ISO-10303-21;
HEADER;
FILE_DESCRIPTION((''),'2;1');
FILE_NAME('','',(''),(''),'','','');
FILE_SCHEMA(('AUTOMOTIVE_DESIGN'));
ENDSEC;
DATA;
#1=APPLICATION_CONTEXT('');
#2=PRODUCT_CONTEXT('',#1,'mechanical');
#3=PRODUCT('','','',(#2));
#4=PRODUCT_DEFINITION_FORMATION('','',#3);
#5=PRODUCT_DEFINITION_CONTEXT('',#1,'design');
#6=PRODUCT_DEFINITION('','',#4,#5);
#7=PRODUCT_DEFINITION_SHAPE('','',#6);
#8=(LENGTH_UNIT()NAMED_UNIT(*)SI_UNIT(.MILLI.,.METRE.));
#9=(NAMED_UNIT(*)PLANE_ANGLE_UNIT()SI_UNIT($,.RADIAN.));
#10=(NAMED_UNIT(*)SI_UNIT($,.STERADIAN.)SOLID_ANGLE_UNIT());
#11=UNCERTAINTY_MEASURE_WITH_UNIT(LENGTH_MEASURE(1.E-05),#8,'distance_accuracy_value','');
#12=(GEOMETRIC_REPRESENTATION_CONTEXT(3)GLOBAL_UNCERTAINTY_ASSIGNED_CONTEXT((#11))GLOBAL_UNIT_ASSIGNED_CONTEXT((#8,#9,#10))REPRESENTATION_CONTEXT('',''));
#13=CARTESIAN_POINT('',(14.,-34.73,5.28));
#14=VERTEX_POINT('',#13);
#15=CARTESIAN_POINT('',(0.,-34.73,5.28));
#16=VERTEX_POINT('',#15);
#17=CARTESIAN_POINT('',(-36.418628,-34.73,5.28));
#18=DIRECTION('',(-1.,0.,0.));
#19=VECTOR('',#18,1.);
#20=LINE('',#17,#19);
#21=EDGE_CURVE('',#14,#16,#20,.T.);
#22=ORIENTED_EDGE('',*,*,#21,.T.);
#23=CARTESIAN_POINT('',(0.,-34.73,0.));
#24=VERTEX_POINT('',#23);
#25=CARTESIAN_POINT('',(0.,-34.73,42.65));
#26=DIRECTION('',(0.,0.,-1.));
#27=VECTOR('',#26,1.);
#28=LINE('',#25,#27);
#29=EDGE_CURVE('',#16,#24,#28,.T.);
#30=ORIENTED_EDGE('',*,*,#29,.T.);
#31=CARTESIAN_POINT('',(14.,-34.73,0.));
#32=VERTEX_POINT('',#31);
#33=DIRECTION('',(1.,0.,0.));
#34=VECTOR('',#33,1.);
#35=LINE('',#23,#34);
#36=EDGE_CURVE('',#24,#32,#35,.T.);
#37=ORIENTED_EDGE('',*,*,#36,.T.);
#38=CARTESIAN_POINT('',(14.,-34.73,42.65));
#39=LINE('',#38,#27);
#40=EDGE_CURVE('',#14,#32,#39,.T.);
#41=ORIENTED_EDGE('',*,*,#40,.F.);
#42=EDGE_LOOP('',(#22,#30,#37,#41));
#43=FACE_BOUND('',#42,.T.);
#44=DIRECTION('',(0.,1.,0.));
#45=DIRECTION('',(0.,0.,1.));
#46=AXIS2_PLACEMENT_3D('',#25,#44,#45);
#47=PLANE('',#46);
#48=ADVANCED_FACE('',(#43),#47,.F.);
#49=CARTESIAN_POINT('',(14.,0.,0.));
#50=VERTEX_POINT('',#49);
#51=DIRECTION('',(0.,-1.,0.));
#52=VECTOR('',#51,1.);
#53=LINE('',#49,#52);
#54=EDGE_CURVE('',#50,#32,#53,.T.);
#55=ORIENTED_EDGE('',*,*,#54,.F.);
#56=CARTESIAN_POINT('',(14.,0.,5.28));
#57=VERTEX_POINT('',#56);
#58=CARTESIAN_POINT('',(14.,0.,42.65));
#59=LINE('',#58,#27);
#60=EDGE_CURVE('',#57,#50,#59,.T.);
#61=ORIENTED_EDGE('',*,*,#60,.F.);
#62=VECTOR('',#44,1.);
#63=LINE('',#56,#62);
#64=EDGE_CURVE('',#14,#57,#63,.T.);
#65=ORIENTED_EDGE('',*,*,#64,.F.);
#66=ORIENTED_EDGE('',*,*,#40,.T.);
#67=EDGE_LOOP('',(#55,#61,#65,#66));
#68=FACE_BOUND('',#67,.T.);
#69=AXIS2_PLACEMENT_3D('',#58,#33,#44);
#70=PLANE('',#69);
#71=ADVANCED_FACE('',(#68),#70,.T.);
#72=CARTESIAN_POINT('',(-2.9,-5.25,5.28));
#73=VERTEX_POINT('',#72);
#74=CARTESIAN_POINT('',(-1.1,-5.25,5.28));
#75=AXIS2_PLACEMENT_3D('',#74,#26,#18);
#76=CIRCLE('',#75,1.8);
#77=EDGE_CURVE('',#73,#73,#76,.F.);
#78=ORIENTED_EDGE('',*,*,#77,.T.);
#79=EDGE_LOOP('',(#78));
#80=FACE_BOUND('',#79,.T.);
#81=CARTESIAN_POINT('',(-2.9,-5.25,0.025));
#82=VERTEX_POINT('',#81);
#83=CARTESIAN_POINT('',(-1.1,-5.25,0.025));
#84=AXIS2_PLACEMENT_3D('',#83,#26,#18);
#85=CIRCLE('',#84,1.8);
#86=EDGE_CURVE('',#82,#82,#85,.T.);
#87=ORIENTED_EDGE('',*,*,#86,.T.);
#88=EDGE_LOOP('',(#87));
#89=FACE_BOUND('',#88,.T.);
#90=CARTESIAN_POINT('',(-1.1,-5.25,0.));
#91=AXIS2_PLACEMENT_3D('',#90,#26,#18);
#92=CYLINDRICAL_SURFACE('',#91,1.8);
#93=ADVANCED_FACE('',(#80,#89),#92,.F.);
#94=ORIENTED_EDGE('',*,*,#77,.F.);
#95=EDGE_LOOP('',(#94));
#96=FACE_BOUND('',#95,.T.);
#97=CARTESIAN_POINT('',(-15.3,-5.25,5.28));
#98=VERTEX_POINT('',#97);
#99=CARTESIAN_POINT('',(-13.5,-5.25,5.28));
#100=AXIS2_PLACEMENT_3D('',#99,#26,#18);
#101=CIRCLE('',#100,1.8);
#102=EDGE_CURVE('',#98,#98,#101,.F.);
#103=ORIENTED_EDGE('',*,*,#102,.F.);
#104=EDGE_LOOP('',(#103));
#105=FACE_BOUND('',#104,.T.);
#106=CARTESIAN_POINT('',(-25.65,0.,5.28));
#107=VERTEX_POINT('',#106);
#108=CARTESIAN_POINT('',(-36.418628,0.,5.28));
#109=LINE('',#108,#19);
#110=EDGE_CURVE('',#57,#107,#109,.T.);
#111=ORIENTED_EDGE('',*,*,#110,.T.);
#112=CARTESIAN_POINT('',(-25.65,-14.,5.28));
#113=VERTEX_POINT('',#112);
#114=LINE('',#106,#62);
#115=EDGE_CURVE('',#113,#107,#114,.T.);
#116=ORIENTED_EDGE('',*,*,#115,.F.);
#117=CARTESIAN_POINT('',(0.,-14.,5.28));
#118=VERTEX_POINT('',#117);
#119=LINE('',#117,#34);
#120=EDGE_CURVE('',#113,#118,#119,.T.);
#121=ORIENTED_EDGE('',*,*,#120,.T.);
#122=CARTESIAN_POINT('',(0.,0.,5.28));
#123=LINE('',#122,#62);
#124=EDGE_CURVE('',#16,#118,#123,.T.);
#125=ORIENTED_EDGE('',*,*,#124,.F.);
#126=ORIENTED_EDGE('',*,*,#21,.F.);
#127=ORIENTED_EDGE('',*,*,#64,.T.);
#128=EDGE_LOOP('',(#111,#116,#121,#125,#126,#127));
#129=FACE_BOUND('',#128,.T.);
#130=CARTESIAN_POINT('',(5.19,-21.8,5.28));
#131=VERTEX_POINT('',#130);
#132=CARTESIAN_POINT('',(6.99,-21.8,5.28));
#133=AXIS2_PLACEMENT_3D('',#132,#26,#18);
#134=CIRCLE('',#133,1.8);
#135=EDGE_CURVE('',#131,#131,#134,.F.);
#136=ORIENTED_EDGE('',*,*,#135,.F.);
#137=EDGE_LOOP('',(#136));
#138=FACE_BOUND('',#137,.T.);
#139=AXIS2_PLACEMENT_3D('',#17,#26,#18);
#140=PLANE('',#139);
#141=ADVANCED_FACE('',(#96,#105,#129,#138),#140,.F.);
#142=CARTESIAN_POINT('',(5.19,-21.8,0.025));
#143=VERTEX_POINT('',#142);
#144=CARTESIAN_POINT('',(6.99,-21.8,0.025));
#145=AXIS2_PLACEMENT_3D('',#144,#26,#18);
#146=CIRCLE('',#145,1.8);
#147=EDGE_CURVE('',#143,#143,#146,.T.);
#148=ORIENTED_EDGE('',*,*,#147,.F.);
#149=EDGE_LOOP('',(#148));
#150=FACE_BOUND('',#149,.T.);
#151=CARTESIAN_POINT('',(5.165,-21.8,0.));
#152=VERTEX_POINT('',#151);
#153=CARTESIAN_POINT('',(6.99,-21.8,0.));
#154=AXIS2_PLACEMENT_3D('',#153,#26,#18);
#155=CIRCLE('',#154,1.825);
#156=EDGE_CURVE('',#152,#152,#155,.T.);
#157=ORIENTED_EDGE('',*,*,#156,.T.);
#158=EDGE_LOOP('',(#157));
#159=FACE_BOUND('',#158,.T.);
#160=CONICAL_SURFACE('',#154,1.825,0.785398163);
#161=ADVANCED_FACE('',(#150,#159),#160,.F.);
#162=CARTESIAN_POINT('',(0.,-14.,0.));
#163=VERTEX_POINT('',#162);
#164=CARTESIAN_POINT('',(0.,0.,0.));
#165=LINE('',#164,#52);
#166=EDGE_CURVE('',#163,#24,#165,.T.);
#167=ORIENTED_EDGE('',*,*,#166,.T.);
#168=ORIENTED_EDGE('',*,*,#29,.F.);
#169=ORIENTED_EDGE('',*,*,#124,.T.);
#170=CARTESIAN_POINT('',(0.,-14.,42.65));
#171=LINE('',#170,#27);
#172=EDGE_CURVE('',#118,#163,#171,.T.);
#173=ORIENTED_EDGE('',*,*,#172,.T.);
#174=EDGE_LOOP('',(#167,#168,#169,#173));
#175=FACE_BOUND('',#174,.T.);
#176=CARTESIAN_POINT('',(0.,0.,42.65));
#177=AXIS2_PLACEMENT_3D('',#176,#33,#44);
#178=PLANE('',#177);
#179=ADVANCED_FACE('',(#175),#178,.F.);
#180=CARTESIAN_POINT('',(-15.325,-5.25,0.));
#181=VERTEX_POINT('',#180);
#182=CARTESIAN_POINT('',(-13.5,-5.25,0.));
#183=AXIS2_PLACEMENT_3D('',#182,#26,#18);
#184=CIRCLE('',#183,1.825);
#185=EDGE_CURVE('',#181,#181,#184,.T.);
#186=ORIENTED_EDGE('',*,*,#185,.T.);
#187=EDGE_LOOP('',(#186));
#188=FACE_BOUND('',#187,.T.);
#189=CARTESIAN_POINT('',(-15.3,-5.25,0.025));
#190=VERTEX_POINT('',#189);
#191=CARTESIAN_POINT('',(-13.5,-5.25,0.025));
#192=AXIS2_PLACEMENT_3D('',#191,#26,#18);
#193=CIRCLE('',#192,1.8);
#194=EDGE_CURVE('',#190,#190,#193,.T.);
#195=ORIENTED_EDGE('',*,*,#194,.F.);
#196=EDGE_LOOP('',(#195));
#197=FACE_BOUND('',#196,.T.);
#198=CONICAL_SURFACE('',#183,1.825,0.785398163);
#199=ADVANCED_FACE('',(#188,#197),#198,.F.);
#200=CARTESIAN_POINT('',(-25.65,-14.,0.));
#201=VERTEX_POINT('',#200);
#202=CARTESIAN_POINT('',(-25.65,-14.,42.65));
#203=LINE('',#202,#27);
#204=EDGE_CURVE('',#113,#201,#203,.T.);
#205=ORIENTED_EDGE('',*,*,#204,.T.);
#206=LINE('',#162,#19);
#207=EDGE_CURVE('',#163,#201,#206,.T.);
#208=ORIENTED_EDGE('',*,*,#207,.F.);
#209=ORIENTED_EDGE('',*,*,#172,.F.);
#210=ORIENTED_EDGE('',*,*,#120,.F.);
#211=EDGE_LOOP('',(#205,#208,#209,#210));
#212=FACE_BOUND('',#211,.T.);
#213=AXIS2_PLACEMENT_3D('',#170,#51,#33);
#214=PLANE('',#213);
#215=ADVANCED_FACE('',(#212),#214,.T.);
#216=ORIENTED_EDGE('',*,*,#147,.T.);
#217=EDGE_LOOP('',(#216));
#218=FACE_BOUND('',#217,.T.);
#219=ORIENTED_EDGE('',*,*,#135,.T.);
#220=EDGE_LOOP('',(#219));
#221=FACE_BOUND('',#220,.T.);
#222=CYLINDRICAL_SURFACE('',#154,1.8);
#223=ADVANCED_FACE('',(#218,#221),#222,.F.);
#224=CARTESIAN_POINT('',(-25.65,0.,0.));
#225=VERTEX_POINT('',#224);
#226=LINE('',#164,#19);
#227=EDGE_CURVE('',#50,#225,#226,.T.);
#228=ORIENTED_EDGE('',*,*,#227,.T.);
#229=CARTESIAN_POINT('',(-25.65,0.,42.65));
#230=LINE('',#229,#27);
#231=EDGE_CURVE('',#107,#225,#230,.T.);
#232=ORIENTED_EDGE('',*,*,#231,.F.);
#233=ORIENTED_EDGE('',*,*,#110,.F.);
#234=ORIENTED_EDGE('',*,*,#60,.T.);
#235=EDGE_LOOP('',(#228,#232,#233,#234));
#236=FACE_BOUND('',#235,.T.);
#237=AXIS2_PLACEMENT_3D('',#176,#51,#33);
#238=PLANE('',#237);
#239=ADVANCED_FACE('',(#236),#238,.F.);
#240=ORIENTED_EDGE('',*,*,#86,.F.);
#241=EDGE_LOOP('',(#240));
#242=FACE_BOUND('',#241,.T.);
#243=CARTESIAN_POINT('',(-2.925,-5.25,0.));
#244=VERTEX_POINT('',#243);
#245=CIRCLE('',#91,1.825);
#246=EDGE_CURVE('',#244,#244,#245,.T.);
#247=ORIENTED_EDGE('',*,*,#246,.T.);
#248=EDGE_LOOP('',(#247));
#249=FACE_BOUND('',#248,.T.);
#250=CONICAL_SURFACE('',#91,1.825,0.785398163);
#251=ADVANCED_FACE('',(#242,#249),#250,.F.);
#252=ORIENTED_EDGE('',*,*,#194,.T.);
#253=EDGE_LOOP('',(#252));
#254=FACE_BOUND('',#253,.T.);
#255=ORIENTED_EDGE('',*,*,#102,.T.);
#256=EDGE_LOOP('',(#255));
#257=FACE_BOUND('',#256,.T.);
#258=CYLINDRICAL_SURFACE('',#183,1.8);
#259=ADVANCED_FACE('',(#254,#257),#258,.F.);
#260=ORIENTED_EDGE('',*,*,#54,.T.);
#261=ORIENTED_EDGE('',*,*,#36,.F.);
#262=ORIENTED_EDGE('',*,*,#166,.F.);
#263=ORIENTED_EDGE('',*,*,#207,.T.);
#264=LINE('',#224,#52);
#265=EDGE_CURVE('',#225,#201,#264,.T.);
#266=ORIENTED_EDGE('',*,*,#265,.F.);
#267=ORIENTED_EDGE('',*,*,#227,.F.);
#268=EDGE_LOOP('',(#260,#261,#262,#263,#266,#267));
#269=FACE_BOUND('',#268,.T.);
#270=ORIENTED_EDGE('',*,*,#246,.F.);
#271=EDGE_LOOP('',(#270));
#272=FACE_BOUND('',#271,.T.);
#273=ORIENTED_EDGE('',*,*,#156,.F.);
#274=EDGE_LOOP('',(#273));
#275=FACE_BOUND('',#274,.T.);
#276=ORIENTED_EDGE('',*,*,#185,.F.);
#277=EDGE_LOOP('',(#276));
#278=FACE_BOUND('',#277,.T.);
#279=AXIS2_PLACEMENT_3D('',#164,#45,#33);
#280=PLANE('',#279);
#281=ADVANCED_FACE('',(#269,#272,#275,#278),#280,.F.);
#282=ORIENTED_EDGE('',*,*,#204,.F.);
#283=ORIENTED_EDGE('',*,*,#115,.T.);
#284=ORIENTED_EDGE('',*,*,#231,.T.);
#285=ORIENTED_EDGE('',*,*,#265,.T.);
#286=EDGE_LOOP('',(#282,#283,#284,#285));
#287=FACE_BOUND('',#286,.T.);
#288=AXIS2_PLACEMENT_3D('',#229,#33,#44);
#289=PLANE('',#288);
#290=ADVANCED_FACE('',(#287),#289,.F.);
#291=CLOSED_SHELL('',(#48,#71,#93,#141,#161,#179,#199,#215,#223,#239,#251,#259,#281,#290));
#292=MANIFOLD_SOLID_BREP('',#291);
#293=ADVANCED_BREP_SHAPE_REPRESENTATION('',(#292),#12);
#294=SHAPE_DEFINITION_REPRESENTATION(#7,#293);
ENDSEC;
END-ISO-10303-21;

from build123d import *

# Parameters (mm, degrees)
BOSS_EXTRUDE1_DEPTH            = 42.65
SKETCH2_R                      = 6.425
CUT_EXTRUDE1_DEPTH             = 42.65
SKETCH3_W                      = 1.9
SKETCH3_H                      = 30
CUT_EXTRUDE2_DEPTH             = 42.65
SKETCH4_R                      = 6.425
CUT_EXTRUDE3_DEPTH             = 42.65
SKETCH5_W                      = 32
SKETCH5_H                      = 1.9
CUT_EXTRUDE4_DEPTH             = 42.65
M3_CLEARANCE_HOLE1_D           = 3.6
M3_CLEARANCE_HOLE1_DEPTH       = 10
M3_CLEARANCE_HOLE1_CSINK_D     = 3.65
M3_CLEARANCE_HOLE1_CSINK_ANGLE = 90
M3_CLEARANCE_HOLE1_TIP         = 1.081549114
SKETCH9_W                      = 61.993652624
SKETCH9_H                      = 40.55348858
CUT_EXTRUDE5_DEPTH             = 61.688696641


with BuildPart() as part:
    # Sketch1 → Boss-Extrude1 (new body)
    with BuildSketch(Plane.XY):
        Polygon((14, 0), (-25.65, 0), (-25.65, -14), (0, -14), (0, -34.73), (14, -34.73), align=None)
    extrude(amount=BOSS_EXTRUDE1_DEPTH)

    # Sketch2 → Cut-Extrude1 (cut)
    with BuildSketch(Plane.XZ.offset(14)):
        with Locations((-14.665, 27.725)):
            Circle(SKETCH2_R)
    extrude(amount=-CUT_EXTRUDE1_DEPTH, mode=Mode.SUBTRACT)

    # Sketch3 → Cut-Extrude2 (cut)
    with BuildSketch(Plane.XZ.offset(14)):
        with Locations((-16.7, 27.65)):
            Rectangle(SKETCH3_W, SKETCH3_H)
    extrude(amount=-CUT_EXTRUDE2_DEPTH, mode=Mode.SUBTRACT)

    # Sketch4 → Cut-Extrude3 (cut)
    with BuildSketch(Plane.ZY):
        with Locations((18.725, -21.745)):
            Circle(SKETCH4_R)
    extrude(amount=-CUT_EXTRUDE3_DEPTH, mode=Mode.SUBTRACT)

    # Sketch5 → Cut-Extrude4 (cut)
    with BuildSketch(Plane.ZY):
        with Locations((26.65, -25.78)):
            Rectangle(SKETCH5_W, SKETCH5_H)
    extrude(amount=-CUT_EXTRUDE4_DEPTH, mode=Mode.SUBTRACT)

    # M3 Clearance Hole1
    with Locations(Plane(origin=(0, 0, 0), x_dir=(-1, 0, 0), z_dir=(0, 0, -1))):
        with Locations((1.1, -5.25), (13.5, -5.25), (-6.99, -21.8)):
            CounterSinkHole(M3_CLEARANCE_HOLE1_D / 2, M3_CLEARANCE_HOLE1_CSINK_D / 2, depth=M3_CLEARANCE_HOLE1_DEPTH, counter_sink_angle=M3_CLEARANCE_HOLE1_CSINK_ANGLE)
            with Locations((0, 0, -(M3_CLEARANCE_HOLE1_DEPTH + M3_CLEARANCE_HOLE1_TIP / 2))):  # 118° drill point
                Cone(0, M3_CLEARANCE_HOLE1_D / 2, M3_CLEARANCE_HOLE1_TIP, mode=Mode.SUBTRACT)

    # Sketch9 → Cut-Extrude5 (cut, through all)
    with BuildSketch(Plane(origin=(0, 0, 0), x_dir=(1, 0, 0), z_dir=(0, 1, 0))):
        with Locations((-5.42180131, -25.55674429)):
            Rectangle(SKETCH9_W, SKETCH9_H)
    extrude(amount=-CUT_EXTRUDE5_DEPTH, mode=Mode.SUBTRACT)


solid = part.part
